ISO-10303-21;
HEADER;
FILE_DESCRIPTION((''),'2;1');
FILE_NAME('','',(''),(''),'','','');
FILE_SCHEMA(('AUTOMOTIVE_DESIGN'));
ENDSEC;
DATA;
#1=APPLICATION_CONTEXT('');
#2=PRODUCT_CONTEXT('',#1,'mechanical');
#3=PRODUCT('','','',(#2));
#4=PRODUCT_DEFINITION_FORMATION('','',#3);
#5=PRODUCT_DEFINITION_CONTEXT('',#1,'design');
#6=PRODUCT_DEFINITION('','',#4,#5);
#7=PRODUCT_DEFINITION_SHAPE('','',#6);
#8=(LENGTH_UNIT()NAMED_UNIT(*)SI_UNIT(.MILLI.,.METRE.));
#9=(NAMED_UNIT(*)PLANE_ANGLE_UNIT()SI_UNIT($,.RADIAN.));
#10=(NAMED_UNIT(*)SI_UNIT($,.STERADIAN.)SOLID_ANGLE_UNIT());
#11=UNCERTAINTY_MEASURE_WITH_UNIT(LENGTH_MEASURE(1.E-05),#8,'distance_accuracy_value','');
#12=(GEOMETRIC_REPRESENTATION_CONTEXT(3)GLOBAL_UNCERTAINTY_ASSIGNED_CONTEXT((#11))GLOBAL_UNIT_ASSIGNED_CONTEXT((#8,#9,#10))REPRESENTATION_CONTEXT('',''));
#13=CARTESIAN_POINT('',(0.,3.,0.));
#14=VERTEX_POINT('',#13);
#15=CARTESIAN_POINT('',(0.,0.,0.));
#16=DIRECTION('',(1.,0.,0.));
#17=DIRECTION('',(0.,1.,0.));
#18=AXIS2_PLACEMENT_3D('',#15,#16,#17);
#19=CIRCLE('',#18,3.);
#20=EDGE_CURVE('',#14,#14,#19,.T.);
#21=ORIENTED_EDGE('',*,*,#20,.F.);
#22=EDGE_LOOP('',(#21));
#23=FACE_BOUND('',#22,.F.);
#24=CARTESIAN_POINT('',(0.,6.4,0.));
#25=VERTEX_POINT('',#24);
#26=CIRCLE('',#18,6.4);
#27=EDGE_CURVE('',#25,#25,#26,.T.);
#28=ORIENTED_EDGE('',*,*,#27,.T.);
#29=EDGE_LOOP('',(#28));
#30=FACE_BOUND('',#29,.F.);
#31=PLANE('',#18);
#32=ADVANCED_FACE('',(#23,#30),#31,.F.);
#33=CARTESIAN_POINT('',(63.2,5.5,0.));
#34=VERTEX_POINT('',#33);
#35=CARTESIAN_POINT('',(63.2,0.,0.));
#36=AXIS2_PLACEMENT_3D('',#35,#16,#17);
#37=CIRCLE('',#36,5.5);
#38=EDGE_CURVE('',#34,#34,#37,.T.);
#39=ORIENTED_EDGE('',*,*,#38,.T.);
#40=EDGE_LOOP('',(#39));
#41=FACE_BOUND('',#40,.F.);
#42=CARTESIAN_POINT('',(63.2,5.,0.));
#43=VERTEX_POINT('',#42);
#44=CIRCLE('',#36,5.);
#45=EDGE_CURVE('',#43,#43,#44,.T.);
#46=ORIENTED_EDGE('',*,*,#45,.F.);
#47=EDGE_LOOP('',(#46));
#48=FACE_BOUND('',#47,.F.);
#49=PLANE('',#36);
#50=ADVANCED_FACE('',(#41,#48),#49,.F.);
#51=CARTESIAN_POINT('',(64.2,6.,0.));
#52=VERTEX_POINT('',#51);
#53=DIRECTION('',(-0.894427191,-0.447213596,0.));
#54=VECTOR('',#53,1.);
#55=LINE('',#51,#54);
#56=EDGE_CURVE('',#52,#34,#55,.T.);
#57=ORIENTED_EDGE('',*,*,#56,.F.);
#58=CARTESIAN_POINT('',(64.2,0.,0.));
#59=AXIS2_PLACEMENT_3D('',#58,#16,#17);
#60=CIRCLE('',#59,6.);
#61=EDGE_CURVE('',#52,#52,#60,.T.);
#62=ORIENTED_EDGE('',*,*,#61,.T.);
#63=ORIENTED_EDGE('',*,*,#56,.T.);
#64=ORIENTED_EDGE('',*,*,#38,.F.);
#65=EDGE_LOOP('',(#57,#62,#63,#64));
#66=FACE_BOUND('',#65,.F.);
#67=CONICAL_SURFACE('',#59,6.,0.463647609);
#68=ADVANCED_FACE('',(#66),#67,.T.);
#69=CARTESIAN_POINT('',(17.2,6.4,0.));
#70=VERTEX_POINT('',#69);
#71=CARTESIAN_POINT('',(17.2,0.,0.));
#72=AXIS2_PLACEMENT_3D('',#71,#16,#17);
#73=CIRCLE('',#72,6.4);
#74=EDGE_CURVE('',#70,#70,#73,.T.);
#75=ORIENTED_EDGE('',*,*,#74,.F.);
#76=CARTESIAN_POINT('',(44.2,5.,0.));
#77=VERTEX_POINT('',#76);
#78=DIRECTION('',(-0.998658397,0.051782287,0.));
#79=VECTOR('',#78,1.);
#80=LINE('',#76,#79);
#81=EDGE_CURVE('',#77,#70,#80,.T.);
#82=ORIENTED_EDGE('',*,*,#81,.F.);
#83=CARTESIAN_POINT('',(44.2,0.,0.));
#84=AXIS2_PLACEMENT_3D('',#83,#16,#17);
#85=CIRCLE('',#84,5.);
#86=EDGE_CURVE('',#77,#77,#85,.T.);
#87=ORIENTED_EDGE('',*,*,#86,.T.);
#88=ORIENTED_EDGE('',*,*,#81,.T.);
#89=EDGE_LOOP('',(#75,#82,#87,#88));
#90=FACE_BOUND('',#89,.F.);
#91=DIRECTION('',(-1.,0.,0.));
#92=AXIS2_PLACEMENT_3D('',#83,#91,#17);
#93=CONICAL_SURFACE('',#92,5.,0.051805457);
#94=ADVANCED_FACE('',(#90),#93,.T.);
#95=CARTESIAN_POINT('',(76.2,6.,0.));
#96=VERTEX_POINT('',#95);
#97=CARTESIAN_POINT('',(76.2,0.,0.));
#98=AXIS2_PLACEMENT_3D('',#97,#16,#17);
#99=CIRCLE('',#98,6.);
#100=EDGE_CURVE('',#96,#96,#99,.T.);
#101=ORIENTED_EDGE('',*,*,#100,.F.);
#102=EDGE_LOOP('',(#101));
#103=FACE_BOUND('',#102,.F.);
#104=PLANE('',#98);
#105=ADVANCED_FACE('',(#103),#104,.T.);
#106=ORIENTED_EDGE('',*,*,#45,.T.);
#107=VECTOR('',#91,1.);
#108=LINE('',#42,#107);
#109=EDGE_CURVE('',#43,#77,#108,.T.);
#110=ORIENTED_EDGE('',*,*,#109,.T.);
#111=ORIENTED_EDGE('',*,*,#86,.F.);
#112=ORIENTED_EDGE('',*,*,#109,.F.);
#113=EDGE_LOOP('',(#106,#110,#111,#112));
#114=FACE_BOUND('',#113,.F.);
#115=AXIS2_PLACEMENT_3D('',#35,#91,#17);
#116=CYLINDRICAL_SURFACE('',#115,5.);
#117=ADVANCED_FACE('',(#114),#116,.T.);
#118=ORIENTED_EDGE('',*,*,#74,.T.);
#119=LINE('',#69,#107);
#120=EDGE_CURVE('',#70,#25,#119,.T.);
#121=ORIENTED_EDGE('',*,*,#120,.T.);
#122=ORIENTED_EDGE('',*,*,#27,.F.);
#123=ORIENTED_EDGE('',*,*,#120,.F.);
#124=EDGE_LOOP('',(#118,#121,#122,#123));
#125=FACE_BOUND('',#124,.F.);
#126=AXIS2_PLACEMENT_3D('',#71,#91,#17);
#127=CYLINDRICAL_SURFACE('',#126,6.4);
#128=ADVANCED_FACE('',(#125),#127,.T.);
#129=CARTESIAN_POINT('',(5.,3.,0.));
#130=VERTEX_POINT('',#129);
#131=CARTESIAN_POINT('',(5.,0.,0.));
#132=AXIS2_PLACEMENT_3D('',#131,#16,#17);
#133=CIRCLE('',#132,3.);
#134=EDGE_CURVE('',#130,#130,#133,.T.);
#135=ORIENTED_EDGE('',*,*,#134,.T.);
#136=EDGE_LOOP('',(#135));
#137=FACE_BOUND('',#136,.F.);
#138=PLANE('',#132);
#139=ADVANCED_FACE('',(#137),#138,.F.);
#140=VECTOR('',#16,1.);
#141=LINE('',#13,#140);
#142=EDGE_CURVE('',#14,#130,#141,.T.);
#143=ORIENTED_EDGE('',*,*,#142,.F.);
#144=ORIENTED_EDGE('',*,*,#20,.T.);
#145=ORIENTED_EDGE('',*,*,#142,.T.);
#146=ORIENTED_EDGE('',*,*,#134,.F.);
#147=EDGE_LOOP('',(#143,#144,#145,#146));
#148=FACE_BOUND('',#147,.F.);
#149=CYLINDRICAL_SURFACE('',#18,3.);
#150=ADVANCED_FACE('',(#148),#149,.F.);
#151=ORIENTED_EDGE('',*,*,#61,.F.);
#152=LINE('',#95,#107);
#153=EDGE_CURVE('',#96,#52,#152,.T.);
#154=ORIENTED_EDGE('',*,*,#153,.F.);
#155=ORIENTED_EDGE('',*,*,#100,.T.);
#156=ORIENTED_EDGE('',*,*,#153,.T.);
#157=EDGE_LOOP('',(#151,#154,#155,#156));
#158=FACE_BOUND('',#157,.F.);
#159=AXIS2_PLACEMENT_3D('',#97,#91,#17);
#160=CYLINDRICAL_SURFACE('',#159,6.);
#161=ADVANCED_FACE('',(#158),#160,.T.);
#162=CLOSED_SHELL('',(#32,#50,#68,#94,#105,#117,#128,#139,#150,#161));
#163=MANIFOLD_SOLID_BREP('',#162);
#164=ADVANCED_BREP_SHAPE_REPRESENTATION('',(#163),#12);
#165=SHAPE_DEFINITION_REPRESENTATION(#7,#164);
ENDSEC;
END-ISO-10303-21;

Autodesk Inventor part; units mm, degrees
ref_plane "YZ Plane" through (0, 0, 0) normal (1, 0, 0) x (0, 1, 0)
ref_plane "XZ Plane" through (0, 0, 0) normal (0, 1, 0) x (-1, 0, 0)
ref_plane "XY Plane" through (0, 0, 0) normal (0, 0, 1) x (1, 0, 0)
sketch "Sketch1" plane through (0, 0, 0) normal (0, 0, 1) x (1, 0, 0)
  line L0 (0, 0) -> (76.2, 0)
  line L1 (76.2, 0) -> (76.2, 6)
  line L2 (17.2, 6.4) -> (0, 6.4)
  line L3 (0, 6.4) -> (0, 3)
  line L4 (0, 0) -> (101.0496, 0)
  line L5 (76.2, 6) -> (64.2, 6)
  line L6 (64.2, 6) -> (63.2, 5.5)
  line L7 (63.2, 5.5) -> (63.2, 5)
  line L8 (63.2, 5) -> (44.2, 5)
  line L9 (44.2, 5) -> (17.2, 6.4)
  line L10 (0, 3) -> (5, 3)
  line L11 (5, 3) -> (5, 0)
  point P0 (5, 0)
  dimension "d0" = 76.2
  dimension "d1" = 12.8
  dimension "d3" = 12
  dimension "d4" = 10
  dimension "d5" = 0.5
  dimension "d6" = 1
  dimension "d7" = 13
  dimension "d8" = 32
  dimension "d9" = 59
  dimension "d10" = 5
  dimension "d11" = 6
revolve "Revolution1" add sketch "Sketch1" angle 360 about axis through (0, 0, 0) along (1, 0, 0)
properties part number "stick_antenna_434MHz"
